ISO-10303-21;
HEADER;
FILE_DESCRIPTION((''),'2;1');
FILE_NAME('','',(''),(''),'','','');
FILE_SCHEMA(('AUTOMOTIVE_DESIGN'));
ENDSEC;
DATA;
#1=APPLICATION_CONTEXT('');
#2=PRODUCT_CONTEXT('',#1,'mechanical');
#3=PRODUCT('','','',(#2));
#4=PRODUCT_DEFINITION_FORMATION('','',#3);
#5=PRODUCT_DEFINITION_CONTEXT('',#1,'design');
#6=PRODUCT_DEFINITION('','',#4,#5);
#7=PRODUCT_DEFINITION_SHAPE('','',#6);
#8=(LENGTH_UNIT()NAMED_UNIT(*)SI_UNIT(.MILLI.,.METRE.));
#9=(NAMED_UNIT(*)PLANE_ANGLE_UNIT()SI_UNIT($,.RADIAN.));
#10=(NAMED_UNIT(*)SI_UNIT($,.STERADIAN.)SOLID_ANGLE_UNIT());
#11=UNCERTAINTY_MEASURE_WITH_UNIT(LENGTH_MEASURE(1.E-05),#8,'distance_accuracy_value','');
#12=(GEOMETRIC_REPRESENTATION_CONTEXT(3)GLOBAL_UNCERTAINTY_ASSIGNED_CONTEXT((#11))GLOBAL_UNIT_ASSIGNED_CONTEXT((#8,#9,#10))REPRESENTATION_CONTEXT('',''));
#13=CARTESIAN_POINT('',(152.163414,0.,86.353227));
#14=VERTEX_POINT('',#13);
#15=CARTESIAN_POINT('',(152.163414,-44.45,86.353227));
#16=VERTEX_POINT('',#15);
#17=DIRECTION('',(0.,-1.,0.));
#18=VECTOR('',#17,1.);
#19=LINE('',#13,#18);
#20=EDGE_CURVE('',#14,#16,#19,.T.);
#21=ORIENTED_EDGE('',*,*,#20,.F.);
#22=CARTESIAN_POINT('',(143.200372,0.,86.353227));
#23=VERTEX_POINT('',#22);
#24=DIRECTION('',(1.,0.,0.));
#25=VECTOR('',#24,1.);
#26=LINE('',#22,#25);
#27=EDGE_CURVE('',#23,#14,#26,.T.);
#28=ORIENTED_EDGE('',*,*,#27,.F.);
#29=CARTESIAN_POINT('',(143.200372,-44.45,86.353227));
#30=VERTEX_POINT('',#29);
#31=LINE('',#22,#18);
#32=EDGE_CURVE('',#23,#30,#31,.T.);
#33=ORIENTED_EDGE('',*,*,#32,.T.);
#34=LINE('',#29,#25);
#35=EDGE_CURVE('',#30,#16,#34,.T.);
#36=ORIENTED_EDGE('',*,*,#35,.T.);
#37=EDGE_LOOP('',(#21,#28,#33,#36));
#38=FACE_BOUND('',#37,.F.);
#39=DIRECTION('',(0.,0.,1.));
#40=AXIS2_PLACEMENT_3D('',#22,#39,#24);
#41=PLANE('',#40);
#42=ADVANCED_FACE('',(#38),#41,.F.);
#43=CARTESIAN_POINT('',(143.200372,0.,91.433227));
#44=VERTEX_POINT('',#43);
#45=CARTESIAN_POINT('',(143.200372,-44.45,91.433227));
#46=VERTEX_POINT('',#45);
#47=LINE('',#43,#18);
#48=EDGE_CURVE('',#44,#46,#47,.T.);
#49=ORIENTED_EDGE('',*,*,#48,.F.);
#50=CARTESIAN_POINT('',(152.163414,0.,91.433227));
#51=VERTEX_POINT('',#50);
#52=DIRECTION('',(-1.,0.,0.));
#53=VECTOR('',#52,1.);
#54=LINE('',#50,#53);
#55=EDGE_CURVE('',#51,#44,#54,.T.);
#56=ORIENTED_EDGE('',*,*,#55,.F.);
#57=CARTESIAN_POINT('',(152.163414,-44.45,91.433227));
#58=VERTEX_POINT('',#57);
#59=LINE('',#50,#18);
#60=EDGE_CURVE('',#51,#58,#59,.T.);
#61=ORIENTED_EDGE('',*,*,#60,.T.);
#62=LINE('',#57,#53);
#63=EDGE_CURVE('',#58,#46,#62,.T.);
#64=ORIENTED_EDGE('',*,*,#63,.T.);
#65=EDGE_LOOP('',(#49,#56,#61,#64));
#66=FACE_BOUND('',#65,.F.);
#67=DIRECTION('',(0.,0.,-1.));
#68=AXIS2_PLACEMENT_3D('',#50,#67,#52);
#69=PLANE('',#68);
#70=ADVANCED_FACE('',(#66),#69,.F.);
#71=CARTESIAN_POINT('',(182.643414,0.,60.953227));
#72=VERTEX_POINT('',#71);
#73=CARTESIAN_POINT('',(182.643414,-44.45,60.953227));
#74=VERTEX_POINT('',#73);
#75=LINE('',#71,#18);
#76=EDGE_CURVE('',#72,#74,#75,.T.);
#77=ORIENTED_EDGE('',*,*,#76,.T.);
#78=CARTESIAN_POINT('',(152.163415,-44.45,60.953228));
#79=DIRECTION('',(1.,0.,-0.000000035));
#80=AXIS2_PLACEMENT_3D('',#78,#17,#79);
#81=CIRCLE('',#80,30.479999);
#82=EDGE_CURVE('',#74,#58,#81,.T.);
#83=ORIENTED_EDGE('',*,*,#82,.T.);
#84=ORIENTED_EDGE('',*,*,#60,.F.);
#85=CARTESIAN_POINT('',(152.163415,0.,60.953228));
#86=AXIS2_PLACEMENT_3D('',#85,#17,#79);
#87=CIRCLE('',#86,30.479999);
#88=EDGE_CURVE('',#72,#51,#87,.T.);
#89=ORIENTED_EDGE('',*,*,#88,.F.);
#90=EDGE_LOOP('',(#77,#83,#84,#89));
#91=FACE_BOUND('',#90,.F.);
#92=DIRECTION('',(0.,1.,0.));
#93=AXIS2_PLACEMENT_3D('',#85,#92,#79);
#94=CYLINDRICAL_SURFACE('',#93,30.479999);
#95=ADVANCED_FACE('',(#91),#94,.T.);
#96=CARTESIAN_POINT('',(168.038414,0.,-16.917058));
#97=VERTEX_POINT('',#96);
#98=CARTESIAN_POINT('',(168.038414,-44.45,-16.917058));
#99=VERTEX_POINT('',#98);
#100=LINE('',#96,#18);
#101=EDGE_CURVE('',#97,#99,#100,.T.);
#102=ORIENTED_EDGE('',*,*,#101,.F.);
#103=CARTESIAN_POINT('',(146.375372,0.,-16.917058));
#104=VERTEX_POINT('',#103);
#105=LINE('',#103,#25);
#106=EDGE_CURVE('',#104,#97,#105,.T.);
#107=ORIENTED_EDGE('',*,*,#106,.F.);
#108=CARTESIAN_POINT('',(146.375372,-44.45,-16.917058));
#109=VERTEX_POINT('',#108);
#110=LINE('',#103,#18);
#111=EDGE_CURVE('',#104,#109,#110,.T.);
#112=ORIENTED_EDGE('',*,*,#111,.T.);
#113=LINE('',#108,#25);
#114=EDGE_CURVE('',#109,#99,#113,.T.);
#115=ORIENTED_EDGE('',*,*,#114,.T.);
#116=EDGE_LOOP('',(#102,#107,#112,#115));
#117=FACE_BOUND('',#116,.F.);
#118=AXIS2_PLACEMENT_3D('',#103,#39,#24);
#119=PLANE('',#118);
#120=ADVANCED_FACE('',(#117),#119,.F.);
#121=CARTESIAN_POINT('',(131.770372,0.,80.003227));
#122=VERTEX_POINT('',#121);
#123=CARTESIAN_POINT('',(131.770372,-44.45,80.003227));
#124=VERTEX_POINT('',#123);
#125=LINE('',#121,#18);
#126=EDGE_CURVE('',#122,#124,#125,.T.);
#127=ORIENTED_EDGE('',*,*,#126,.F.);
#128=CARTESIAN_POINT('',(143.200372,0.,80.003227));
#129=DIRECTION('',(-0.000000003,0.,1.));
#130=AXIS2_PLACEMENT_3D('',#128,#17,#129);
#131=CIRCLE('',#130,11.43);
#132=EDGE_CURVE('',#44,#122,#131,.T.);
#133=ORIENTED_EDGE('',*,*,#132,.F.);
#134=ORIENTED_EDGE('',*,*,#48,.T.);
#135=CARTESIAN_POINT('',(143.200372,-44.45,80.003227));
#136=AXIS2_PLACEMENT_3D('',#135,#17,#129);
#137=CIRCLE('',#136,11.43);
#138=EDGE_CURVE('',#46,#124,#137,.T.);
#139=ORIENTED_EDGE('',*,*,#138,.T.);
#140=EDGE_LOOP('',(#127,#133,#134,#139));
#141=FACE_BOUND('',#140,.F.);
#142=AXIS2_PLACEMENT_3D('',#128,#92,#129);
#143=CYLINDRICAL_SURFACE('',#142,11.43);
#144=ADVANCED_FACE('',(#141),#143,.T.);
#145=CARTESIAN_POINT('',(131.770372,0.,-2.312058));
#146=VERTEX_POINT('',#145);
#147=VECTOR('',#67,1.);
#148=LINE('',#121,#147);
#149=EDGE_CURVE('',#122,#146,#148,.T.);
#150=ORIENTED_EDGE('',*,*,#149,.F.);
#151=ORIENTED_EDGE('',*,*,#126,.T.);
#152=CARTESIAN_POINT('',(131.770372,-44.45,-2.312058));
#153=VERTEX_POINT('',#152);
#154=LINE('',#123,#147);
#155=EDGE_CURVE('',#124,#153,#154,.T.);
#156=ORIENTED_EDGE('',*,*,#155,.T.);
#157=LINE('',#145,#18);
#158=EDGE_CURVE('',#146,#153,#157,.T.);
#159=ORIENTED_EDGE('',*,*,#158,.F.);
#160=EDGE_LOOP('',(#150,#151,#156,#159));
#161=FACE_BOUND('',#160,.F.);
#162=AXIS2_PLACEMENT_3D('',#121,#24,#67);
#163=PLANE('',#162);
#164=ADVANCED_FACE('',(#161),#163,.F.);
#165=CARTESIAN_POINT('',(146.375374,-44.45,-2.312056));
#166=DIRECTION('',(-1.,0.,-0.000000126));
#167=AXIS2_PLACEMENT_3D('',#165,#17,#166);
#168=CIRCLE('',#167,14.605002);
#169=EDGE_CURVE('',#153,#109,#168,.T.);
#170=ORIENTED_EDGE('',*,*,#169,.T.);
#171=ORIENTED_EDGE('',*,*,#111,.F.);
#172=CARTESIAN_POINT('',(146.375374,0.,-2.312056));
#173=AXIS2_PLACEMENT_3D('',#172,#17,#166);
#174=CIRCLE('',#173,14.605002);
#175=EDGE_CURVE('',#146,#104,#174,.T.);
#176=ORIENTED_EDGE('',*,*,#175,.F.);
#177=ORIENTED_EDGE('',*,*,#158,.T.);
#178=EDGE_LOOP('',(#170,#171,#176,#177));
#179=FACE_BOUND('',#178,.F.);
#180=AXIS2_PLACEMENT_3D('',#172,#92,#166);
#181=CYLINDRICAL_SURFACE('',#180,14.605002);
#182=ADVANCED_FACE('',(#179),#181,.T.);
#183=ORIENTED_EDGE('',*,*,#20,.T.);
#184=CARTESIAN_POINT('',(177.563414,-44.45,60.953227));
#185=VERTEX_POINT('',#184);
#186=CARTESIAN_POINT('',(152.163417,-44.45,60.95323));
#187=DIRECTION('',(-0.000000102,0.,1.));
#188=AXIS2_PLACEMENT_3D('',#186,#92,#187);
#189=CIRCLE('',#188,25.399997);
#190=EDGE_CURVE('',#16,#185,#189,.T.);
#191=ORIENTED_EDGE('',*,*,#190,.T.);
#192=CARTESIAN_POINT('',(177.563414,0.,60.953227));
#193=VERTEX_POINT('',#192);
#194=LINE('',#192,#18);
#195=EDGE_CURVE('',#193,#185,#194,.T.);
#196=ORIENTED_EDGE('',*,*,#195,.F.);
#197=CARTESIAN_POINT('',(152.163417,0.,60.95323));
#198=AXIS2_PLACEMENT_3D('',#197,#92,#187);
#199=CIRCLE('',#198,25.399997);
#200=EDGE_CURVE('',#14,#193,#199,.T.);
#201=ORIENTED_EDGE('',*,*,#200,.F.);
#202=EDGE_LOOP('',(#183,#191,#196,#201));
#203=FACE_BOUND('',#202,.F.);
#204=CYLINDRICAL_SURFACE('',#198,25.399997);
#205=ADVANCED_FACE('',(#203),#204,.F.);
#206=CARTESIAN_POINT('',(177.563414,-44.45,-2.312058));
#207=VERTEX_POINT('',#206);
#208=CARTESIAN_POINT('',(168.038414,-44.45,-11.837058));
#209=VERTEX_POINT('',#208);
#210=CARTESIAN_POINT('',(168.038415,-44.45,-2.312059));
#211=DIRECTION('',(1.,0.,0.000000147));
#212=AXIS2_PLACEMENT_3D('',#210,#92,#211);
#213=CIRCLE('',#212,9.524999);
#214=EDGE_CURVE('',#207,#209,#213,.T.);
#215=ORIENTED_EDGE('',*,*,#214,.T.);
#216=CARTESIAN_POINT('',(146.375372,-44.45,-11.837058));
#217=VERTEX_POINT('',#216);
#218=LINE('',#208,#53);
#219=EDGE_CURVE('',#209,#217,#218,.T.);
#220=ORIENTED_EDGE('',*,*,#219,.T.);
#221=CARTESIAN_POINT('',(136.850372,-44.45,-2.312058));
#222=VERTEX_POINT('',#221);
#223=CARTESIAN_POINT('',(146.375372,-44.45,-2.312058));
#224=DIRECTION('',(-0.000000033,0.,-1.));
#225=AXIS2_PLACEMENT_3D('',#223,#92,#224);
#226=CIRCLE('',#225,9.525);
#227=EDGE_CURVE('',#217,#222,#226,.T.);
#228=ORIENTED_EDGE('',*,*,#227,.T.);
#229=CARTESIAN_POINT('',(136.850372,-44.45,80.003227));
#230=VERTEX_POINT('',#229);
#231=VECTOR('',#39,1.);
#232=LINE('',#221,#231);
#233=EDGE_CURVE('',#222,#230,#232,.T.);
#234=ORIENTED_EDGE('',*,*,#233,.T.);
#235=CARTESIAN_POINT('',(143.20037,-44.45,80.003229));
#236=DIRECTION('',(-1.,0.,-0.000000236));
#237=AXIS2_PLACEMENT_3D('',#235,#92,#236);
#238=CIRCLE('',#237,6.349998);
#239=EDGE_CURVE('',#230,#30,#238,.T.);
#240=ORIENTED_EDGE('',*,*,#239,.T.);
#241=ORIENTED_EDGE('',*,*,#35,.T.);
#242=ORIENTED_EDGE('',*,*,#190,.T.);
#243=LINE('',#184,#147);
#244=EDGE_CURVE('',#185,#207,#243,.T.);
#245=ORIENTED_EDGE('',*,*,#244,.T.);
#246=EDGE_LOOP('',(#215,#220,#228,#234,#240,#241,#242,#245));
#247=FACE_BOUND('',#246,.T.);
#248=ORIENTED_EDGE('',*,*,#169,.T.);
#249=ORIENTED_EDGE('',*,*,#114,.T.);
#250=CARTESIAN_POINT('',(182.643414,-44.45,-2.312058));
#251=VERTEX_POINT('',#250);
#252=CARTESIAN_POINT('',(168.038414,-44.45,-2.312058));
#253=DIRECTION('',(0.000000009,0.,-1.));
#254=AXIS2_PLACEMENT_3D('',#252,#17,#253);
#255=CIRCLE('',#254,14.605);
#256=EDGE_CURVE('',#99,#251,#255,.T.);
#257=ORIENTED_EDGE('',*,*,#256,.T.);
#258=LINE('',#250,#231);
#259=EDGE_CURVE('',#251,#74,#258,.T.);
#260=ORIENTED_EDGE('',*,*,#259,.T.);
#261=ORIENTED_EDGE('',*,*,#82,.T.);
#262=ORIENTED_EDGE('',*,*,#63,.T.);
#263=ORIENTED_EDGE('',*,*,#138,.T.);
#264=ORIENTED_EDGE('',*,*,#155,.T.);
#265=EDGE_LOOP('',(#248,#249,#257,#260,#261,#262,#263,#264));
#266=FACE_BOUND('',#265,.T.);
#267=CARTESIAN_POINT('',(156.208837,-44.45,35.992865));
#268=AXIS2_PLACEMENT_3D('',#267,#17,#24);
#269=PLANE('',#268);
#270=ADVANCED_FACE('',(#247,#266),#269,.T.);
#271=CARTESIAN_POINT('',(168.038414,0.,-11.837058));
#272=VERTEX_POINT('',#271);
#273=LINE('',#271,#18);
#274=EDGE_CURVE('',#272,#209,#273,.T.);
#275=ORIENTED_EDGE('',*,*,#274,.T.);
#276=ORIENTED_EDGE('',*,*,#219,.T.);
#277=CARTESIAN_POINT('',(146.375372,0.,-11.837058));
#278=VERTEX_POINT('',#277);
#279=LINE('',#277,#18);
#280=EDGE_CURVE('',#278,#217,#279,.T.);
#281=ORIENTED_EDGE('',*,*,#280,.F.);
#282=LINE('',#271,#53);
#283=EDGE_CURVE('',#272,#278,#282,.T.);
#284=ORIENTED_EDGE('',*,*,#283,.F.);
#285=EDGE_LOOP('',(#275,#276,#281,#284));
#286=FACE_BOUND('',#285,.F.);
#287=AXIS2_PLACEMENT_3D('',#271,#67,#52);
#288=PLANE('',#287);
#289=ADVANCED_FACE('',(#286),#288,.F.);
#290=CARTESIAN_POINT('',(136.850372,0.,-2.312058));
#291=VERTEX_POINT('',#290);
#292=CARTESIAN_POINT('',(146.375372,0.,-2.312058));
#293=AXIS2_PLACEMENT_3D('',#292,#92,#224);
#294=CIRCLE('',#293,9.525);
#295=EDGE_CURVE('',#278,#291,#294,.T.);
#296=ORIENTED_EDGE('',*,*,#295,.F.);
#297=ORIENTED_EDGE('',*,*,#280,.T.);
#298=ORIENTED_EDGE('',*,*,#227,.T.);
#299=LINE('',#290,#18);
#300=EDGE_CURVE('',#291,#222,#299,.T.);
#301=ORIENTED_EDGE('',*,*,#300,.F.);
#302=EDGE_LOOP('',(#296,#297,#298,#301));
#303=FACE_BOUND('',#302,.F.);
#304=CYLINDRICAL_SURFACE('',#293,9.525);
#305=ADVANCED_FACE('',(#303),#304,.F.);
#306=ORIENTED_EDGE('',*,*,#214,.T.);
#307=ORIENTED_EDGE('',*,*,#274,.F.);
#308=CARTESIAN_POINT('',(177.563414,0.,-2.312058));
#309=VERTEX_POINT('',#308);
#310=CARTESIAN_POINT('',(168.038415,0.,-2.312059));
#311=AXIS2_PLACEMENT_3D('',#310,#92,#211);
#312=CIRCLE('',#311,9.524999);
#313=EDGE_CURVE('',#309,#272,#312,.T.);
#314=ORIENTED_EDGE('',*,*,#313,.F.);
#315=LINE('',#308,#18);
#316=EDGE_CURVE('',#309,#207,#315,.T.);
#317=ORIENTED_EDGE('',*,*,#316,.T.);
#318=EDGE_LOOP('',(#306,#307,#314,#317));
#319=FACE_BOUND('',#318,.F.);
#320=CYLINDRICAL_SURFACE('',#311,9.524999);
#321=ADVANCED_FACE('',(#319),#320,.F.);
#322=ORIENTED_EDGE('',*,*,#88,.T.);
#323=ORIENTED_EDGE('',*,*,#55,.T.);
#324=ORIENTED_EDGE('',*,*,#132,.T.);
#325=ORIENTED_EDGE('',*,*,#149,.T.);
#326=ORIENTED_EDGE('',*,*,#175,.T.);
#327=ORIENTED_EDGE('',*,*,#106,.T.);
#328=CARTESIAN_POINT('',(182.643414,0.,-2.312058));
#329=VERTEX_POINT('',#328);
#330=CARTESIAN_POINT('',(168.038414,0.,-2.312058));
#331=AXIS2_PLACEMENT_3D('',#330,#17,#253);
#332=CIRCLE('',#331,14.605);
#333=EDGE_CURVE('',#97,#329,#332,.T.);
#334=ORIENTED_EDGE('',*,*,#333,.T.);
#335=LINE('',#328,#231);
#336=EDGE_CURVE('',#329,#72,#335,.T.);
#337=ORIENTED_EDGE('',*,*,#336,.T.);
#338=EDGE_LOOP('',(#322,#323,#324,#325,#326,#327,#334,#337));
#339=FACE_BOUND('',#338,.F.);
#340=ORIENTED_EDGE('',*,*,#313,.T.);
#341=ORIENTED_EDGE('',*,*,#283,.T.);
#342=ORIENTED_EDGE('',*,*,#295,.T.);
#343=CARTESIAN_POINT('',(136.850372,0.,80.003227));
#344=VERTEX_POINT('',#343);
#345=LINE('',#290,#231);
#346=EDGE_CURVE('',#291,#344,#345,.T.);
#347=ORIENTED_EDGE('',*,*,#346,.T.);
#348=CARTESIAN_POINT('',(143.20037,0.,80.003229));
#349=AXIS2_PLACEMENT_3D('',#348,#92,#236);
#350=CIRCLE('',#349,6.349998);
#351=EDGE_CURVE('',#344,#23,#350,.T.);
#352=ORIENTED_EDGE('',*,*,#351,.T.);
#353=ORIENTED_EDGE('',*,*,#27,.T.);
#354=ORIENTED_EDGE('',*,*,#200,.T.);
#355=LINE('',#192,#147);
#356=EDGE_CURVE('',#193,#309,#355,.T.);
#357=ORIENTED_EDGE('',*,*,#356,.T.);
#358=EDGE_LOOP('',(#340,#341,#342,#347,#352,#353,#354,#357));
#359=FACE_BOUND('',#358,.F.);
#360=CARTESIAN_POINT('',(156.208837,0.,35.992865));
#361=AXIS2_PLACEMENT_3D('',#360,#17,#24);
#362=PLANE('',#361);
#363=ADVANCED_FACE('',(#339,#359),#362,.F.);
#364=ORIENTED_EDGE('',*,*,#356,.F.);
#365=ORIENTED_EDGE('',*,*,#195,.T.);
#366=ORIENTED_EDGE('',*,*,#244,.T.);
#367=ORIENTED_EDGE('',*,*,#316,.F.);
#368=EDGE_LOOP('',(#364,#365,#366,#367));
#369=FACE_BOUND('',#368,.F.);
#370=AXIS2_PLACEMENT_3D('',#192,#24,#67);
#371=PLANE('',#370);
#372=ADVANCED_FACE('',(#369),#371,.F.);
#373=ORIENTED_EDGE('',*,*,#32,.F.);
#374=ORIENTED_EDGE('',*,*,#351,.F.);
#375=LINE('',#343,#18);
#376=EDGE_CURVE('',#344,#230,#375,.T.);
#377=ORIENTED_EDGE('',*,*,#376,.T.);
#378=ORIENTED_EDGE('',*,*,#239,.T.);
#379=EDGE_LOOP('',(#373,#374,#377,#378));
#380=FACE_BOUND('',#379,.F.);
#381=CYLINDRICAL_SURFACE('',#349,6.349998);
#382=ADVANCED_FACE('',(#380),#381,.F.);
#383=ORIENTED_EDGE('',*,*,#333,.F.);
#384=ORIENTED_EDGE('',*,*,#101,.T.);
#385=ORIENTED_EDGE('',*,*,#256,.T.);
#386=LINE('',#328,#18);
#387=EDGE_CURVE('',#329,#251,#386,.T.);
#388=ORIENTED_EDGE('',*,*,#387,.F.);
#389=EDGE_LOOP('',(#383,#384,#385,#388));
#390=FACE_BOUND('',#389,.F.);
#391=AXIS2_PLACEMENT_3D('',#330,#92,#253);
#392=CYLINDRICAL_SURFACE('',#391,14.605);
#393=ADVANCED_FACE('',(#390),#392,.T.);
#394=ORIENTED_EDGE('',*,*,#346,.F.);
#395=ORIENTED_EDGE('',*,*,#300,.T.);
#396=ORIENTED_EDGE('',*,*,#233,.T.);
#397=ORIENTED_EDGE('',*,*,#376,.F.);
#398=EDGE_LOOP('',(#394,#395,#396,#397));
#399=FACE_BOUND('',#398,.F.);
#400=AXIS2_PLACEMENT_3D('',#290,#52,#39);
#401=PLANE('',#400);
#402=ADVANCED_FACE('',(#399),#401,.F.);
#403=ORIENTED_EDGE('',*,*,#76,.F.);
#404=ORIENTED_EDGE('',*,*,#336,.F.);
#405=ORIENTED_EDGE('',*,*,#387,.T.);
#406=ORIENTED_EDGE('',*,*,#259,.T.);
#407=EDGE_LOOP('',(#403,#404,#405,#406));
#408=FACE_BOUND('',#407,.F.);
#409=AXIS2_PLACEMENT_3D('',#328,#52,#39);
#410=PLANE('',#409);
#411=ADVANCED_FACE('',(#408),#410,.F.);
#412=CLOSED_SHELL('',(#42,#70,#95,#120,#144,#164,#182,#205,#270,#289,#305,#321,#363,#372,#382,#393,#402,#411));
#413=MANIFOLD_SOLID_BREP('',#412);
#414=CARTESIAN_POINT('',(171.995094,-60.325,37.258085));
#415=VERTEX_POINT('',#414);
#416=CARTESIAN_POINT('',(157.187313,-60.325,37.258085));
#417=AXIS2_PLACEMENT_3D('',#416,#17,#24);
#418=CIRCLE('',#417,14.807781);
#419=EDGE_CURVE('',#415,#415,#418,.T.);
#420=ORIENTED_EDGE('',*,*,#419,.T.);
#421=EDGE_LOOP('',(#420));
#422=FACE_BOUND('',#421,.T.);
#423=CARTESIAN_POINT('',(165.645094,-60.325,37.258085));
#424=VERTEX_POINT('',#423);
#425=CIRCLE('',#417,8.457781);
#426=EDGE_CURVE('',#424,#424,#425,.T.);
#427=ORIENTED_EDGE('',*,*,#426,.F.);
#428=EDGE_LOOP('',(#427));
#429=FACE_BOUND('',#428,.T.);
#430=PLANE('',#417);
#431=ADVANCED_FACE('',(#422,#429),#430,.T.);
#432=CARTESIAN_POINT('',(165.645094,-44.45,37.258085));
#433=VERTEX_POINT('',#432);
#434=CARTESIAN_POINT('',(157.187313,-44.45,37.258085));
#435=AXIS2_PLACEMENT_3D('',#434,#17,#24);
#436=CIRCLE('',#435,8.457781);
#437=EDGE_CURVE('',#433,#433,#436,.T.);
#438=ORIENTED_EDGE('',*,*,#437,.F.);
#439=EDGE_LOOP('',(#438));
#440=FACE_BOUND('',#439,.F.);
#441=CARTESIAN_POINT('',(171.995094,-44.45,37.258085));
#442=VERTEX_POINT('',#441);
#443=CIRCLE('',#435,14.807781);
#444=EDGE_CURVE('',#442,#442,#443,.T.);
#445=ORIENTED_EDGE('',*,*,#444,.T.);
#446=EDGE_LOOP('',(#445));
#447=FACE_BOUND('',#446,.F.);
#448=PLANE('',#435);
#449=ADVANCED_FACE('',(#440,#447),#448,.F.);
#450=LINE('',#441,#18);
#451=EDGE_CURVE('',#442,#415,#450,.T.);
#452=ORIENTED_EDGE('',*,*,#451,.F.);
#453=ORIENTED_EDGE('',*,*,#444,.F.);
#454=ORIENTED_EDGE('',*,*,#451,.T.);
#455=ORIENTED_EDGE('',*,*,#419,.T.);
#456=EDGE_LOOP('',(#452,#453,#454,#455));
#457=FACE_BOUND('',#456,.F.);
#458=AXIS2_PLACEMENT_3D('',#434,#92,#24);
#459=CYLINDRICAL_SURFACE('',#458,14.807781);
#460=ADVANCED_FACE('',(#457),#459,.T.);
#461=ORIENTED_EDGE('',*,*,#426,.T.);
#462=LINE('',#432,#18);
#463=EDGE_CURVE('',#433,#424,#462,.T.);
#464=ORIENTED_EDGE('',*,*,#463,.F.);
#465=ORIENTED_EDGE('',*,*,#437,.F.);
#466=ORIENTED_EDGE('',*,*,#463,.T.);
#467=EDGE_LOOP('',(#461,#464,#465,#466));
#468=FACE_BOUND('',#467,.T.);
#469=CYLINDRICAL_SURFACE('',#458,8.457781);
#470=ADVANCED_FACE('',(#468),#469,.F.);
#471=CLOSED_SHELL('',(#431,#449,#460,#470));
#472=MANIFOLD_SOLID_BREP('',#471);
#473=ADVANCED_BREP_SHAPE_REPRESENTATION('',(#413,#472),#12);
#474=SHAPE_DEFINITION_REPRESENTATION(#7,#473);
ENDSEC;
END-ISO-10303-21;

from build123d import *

# Parameters (mm, degrees)
F1_DEPTH = 44.45
F2_R     = 14.807781
F2_R_2   = 8.457781
F3_DEPTH = 15.875


with BuildPart() as f1:
    # F0 (on Front) → F1 (new body)
    with BuildSketch(Plane.XZ):
        with BuildLine():
            Line((131.770372, 80.003227), (131.770372, -2.312058))
            ThreePointArc((131.770372, -2.312058), (136.048078, -12.639352), (146.375372, -16.917058))
            Line((146.375372, -16.917058), (168.038414, -16.917058))
            ThreePointArc((168.038414, -16.917058), (178.365709, -12.639352), (182.643414, -2.312058))
            Line((182.643414, -2.312058), (182.643414, 60.953227))
            ThreePointArc((182.643414, 60.953227), (173.716029, 82.505842), (152.163414, 91.433227))
            Line((152.163414, 91.433227), (143.200372, 91.433227))
            ThreePointArc((143.200372, 91.433227), (135.118142, 88.085458), (131.770372, 80.003227))
        make_face()
        with BuildLine():
            ThreePointArc((177.563414, -2.312058), (174.773607, -9.04725), (168.038414, -11.837058))
            Line((168.038414, -11.837058), (146.375372, -11.837058))
            ThreePointArc((146.375372, -11.837058), (139.64018, -9.04725), (136.850372, -2.312058))
            Line((136.850372, -2.312058), (136.850372, 80.003227))
            ThreePointArc((136.850372, 80.003227), (138.710244, 84.493356), (143.200372, 86.353227))
            Line((143.200372, 86.353227), (152.163414, 86.353227))
            ThreePointArc((152.163414, 86.353227), (170.123927, 78.91374), (177.563414, 60.953227))
            Line((177.563414, 60.953227), (177.563414, -2.312058))
        make_face(mode=Mode.SUBTRACT)
    extrude(amount=F1_DEPTH)


with BuildPart() as f3:
    # F2 (on face) → F3 (new body)
    with BuildSketch(Plane.XZ.offset(44.45)):
        with Locations((157.187313, 37.258085)):
            Circle(F2_R)
        with Locations((157.187313, 37.258085)):
            Circle(F2_R_2, mode=Mode.SUBTRACT)
    extrude(amount=F3_DEPTH)


solid = Compound([f1.part, f3.part])
